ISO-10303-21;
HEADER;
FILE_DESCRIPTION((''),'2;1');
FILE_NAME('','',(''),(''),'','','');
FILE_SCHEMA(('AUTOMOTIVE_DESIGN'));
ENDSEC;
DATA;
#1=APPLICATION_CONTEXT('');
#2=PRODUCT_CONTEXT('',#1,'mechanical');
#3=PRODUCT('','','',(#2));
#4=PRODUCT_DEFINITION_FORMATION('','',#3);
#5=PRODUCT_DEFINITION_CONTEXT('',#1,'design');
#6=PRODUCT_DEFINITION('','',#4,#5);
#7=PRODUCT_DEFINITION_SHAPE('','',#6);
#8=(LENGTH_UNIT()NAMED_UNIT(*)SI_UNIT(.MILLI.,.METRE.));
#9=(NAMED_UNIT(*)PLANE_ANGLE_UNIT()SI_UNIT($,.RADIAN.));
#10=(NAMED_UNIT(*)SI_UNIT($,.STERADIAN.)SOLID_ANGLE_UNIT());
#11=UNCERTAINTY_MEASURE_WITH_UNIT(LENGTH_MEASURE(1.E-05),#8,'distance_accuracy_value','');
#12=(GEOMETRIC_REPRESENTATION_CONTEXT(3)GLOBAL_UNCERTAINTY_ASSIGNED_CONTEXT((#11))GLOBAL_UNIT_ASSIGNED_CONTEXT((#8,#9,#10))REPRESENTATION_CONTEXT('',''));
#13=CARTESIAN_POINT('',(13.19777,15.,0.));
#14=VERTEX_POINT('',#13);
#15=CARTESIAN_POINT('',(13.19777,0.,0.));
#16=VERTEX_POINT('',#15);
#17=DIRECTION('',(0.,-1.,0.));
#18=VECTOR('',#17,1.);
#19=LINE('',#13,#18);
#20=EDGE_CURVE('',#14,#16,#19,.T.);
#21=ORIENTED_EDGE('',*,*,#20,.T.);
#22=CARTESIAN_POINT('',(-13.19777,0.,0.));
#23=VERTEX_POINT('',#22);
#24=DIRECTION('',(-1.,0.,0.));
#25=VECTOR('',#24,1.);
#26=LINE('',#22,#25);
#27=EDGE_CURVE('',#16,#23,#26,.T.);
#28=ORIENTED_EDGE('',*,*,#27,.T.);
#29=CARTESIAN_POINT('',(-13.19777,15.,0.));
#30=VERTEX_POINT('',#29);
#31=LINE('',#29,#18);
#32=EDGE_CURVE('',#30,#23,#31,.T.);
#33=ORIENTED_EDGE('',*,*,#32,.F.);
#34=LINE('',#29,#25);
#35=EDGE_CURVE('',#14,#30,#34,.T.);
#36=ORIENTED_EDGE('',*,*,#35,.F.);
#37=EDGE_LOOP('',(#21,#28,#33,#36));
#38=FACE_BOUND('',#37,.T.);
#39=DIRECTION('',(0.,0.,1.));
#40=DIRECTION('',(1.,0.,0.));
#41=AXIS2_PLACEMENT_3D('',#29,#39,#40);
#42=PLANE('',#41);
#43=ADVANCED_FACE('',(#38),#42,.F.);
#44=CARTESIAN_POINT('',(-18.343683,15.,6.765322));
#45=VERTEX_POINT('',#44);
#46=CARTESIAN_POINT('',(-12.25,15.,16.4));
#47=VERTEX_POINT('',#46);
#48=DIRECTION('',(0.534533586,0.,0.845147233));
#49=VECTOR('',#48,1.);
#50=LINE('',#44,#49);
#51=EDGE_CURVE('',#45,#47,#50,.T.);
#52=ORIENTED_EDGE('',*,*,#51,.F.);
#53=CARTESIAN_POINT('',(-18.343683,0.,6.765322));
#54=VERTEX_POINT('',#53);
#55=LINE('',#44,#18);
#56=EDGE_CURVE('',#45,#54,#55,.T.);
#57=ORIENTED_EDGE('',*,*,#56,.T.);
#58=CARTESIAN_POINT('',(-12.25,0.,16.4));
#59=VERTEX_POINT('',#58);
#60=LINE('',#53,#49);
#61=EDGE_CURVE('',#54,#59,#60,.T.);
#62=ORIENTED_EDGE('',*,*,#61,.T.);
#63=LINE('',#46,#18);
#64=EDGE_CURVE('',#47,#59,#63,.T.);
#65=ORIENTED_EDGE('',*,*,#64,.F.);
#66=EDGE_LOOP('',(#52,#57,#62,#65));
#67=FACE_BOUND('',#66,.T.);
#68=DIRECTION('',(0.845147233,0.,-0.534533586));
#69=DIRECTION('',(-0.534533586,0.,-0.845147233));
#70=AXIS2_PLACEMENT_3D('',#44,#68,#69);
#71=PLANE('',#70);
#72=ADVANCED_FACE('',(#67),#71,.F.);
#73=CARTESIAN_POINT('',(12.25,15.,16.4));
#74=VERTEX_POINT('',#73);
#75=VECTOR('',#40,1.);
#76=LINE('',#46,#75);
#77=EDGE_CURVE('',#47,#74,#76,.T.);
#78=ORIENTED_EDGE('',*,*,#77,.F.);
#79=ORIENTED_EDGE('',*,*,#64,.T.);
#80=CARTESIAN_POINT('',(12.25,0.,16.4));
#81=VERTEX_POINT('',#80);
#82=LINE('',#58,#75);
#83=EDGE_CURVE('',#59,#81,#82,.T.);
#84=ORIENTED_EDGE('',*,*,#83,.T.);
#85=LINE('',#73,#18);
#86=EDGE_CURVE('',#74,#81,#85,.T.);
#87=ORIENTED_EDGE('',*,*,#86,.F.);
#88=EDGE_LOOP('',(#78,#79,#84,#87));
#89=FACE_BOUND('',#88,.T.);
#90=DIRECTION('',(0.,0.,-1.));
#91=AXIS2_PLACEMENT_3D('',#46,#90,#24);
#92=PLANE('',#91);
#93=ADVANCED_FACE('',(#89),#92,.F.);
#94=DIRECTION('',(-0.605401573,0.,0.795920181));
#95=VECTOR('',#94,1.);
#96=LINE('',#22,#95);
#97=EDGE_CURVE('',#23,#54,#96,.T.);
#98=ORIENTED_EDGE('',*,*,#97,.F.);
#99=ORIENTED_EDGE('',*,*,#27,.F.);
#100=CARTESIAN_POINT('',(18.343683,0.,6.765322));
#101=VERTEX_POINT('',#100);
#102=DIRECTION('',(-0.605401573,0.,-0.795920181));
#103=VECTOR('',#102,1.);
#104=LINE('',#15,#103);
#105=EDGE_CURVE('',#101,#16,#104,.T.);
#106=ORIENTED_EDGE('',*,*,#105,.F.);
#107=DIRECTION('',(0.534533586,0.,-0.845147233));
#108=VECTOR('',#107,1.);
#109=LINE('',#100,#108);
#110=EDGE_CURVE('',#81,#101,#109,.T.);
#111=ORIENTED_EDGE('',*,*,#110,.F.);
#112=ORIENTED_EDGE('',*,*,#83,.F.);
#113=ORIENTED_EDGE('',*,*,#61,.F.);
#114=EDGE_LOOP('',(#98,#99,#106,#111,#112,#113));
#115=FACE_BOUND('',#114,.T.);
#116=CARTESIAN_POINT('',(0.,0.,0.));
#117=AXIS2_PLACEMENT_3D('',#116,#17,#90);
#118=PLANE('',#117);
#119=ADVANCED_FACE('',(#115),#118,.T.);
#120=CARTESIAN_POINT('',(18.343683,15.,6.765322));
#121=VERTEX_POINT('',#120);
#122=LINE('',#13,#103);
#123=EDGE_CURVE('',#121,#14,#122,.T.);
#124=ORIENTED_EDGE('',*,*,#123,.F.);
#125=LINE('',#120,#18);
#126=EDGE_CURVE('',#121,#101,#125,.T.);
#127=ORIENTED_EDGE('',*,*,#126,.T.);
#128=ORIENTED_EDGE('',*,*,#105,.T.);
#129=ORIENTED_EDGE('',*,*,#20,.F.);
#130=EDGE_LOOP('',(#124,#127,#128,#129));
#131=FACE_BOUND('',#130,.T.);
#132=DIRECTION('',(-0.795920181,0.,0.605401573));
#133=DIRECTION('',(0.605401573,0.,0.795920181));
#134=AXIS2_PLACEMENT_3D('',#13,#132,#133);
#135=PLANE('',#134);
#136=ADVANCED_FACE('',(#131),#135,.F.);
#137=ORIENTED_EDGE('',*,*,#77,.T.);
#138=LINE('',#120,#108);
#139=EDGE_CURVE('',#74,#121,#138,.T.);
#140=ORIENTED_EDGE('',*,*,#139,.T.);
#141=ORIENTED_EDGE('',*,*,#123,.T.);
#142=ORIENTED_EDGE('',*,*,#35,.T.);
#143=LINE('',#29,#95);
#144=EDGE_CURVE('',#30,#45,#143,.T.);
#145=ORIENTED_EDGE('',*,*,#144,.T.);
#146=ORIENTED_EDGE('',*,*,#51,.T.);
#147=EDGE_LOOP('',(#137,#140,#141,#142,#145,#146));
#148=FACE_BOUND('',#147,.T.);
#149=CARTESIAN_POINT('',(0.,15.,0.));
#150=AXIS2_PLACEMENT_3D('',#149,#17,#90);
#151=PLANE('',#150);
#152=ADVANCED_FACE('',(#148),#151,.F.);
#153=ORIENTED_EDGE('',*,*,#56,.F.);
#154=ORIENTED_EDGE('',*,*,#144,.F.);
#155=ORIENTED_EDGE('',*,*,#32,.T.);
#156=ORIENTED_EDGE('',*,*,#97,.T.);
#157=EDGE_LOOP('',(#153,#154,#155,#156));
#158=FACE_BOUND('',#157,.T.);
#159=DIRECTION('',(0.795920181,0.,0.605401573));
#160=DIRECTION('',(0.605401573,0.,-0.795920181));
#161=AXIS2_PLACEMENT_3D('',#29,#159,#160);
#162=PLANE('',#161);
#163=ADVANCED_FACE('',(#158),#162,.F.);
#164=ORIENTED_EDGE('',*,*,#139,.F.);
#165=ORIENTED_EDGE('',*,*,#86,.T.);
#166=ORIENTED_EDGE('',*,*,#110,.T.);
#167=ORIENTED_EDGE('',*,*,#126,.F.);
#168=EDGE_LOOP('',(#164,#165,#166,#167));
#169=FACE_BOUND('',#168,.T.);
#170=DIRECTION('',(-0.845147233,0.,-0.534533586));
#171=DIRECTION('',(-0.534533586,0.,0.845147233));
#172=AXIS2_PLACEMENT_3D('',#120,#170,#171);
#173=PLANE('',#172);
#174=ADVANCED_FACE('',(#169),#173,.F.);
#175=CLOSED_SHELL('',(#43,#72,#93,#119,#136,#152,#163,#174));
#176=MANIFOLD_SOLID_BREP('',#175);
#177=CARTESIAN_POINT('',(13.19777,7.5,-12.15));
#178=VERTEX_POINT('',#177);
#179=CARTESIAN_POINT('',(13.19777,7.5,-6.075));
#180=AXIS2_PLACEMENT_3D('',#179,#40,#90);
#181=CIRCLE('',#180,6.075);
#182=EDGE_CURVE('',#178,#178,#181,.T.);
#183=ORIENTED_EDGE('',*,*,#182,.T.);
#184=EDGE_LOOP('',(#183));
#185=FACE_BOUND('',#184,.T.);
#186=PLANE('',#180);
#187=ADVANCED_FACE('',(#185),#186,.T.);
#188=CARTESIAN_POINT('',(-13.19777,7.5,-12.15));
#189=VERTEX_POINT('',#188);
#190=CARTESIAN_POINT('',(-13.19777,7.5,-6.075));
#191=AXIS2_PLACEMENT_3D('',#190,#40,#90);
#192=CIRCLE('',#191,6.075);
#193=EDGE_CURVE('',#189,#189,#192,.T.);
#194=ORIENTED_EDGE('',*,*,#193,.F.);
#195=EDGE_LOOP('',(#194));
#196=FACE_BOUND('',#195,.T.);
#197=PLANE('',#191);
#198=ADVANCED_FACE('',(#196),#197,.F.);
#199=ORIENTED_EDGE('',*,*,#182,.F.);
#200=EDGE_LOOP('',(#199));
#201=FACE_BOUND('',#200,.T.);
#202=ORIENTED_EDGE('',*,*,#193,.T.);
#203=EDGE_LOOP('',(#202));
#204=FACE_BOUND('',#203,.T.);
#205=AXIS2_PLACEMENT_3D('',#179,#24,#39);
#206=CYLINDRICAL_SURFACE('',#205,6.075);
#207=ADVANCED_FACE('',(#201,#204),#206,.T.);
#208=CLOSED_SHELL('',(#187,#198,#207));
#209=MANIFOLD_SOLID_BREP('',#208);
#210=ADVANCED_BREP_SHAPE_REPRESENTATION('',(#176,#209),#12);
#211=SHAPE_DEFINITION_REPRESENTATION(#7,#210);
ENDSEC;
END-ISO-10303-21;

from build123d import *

# Parameters (mm, degrees)
BOSS_EXTRUDE1_DEPTH      = 15
BOSS_EXTRUDE2_DEPTH      = 13.19777
BOSS_EXTRUDE2_DEPTH_BACK = 13.19777
SKETCH2_R                = 6.075


with BuildPart() as part:
    # Sketch1 → Boss-Extrude1 (new body)
    with BuildSketch(Plane(origin=(0, 0, 0), x_dir=(1, 0, 0), z_dir=(0, 1, 0))):
        Polygon((-13.197769506, 0), (-18.343682878, -6.765321542), (-12.25, -16.4), (12.25, -16.4), (18.343682878, -6.765321542), (13.197769506, 0), align=None)
    extrude(amount=BOSS_EXTRUDE1_DEPTH)


with BuildPart() as body_2:
    # Sketch2 → Boss-Extrude2 (new, two sides: drawn at the far end of the back side and taken through both)
    with BuildSketch(Plane(origin=(0, 0, 0), x_dir=(0, 0, -1), z_dir=(1, 0, 0)).offset(-BOSS_EXTRUDE2_DEPTH_BACK)):
        with Locations((6.075, 7.5)):
            Circle(SKETCH2_R)
    extrude(amount=BOSS_EXTRUDE2_DEPTH + BOSS_EXTRUDE2_DEPTH_BACK)


solid = Compound([part.part, body_2.part])
